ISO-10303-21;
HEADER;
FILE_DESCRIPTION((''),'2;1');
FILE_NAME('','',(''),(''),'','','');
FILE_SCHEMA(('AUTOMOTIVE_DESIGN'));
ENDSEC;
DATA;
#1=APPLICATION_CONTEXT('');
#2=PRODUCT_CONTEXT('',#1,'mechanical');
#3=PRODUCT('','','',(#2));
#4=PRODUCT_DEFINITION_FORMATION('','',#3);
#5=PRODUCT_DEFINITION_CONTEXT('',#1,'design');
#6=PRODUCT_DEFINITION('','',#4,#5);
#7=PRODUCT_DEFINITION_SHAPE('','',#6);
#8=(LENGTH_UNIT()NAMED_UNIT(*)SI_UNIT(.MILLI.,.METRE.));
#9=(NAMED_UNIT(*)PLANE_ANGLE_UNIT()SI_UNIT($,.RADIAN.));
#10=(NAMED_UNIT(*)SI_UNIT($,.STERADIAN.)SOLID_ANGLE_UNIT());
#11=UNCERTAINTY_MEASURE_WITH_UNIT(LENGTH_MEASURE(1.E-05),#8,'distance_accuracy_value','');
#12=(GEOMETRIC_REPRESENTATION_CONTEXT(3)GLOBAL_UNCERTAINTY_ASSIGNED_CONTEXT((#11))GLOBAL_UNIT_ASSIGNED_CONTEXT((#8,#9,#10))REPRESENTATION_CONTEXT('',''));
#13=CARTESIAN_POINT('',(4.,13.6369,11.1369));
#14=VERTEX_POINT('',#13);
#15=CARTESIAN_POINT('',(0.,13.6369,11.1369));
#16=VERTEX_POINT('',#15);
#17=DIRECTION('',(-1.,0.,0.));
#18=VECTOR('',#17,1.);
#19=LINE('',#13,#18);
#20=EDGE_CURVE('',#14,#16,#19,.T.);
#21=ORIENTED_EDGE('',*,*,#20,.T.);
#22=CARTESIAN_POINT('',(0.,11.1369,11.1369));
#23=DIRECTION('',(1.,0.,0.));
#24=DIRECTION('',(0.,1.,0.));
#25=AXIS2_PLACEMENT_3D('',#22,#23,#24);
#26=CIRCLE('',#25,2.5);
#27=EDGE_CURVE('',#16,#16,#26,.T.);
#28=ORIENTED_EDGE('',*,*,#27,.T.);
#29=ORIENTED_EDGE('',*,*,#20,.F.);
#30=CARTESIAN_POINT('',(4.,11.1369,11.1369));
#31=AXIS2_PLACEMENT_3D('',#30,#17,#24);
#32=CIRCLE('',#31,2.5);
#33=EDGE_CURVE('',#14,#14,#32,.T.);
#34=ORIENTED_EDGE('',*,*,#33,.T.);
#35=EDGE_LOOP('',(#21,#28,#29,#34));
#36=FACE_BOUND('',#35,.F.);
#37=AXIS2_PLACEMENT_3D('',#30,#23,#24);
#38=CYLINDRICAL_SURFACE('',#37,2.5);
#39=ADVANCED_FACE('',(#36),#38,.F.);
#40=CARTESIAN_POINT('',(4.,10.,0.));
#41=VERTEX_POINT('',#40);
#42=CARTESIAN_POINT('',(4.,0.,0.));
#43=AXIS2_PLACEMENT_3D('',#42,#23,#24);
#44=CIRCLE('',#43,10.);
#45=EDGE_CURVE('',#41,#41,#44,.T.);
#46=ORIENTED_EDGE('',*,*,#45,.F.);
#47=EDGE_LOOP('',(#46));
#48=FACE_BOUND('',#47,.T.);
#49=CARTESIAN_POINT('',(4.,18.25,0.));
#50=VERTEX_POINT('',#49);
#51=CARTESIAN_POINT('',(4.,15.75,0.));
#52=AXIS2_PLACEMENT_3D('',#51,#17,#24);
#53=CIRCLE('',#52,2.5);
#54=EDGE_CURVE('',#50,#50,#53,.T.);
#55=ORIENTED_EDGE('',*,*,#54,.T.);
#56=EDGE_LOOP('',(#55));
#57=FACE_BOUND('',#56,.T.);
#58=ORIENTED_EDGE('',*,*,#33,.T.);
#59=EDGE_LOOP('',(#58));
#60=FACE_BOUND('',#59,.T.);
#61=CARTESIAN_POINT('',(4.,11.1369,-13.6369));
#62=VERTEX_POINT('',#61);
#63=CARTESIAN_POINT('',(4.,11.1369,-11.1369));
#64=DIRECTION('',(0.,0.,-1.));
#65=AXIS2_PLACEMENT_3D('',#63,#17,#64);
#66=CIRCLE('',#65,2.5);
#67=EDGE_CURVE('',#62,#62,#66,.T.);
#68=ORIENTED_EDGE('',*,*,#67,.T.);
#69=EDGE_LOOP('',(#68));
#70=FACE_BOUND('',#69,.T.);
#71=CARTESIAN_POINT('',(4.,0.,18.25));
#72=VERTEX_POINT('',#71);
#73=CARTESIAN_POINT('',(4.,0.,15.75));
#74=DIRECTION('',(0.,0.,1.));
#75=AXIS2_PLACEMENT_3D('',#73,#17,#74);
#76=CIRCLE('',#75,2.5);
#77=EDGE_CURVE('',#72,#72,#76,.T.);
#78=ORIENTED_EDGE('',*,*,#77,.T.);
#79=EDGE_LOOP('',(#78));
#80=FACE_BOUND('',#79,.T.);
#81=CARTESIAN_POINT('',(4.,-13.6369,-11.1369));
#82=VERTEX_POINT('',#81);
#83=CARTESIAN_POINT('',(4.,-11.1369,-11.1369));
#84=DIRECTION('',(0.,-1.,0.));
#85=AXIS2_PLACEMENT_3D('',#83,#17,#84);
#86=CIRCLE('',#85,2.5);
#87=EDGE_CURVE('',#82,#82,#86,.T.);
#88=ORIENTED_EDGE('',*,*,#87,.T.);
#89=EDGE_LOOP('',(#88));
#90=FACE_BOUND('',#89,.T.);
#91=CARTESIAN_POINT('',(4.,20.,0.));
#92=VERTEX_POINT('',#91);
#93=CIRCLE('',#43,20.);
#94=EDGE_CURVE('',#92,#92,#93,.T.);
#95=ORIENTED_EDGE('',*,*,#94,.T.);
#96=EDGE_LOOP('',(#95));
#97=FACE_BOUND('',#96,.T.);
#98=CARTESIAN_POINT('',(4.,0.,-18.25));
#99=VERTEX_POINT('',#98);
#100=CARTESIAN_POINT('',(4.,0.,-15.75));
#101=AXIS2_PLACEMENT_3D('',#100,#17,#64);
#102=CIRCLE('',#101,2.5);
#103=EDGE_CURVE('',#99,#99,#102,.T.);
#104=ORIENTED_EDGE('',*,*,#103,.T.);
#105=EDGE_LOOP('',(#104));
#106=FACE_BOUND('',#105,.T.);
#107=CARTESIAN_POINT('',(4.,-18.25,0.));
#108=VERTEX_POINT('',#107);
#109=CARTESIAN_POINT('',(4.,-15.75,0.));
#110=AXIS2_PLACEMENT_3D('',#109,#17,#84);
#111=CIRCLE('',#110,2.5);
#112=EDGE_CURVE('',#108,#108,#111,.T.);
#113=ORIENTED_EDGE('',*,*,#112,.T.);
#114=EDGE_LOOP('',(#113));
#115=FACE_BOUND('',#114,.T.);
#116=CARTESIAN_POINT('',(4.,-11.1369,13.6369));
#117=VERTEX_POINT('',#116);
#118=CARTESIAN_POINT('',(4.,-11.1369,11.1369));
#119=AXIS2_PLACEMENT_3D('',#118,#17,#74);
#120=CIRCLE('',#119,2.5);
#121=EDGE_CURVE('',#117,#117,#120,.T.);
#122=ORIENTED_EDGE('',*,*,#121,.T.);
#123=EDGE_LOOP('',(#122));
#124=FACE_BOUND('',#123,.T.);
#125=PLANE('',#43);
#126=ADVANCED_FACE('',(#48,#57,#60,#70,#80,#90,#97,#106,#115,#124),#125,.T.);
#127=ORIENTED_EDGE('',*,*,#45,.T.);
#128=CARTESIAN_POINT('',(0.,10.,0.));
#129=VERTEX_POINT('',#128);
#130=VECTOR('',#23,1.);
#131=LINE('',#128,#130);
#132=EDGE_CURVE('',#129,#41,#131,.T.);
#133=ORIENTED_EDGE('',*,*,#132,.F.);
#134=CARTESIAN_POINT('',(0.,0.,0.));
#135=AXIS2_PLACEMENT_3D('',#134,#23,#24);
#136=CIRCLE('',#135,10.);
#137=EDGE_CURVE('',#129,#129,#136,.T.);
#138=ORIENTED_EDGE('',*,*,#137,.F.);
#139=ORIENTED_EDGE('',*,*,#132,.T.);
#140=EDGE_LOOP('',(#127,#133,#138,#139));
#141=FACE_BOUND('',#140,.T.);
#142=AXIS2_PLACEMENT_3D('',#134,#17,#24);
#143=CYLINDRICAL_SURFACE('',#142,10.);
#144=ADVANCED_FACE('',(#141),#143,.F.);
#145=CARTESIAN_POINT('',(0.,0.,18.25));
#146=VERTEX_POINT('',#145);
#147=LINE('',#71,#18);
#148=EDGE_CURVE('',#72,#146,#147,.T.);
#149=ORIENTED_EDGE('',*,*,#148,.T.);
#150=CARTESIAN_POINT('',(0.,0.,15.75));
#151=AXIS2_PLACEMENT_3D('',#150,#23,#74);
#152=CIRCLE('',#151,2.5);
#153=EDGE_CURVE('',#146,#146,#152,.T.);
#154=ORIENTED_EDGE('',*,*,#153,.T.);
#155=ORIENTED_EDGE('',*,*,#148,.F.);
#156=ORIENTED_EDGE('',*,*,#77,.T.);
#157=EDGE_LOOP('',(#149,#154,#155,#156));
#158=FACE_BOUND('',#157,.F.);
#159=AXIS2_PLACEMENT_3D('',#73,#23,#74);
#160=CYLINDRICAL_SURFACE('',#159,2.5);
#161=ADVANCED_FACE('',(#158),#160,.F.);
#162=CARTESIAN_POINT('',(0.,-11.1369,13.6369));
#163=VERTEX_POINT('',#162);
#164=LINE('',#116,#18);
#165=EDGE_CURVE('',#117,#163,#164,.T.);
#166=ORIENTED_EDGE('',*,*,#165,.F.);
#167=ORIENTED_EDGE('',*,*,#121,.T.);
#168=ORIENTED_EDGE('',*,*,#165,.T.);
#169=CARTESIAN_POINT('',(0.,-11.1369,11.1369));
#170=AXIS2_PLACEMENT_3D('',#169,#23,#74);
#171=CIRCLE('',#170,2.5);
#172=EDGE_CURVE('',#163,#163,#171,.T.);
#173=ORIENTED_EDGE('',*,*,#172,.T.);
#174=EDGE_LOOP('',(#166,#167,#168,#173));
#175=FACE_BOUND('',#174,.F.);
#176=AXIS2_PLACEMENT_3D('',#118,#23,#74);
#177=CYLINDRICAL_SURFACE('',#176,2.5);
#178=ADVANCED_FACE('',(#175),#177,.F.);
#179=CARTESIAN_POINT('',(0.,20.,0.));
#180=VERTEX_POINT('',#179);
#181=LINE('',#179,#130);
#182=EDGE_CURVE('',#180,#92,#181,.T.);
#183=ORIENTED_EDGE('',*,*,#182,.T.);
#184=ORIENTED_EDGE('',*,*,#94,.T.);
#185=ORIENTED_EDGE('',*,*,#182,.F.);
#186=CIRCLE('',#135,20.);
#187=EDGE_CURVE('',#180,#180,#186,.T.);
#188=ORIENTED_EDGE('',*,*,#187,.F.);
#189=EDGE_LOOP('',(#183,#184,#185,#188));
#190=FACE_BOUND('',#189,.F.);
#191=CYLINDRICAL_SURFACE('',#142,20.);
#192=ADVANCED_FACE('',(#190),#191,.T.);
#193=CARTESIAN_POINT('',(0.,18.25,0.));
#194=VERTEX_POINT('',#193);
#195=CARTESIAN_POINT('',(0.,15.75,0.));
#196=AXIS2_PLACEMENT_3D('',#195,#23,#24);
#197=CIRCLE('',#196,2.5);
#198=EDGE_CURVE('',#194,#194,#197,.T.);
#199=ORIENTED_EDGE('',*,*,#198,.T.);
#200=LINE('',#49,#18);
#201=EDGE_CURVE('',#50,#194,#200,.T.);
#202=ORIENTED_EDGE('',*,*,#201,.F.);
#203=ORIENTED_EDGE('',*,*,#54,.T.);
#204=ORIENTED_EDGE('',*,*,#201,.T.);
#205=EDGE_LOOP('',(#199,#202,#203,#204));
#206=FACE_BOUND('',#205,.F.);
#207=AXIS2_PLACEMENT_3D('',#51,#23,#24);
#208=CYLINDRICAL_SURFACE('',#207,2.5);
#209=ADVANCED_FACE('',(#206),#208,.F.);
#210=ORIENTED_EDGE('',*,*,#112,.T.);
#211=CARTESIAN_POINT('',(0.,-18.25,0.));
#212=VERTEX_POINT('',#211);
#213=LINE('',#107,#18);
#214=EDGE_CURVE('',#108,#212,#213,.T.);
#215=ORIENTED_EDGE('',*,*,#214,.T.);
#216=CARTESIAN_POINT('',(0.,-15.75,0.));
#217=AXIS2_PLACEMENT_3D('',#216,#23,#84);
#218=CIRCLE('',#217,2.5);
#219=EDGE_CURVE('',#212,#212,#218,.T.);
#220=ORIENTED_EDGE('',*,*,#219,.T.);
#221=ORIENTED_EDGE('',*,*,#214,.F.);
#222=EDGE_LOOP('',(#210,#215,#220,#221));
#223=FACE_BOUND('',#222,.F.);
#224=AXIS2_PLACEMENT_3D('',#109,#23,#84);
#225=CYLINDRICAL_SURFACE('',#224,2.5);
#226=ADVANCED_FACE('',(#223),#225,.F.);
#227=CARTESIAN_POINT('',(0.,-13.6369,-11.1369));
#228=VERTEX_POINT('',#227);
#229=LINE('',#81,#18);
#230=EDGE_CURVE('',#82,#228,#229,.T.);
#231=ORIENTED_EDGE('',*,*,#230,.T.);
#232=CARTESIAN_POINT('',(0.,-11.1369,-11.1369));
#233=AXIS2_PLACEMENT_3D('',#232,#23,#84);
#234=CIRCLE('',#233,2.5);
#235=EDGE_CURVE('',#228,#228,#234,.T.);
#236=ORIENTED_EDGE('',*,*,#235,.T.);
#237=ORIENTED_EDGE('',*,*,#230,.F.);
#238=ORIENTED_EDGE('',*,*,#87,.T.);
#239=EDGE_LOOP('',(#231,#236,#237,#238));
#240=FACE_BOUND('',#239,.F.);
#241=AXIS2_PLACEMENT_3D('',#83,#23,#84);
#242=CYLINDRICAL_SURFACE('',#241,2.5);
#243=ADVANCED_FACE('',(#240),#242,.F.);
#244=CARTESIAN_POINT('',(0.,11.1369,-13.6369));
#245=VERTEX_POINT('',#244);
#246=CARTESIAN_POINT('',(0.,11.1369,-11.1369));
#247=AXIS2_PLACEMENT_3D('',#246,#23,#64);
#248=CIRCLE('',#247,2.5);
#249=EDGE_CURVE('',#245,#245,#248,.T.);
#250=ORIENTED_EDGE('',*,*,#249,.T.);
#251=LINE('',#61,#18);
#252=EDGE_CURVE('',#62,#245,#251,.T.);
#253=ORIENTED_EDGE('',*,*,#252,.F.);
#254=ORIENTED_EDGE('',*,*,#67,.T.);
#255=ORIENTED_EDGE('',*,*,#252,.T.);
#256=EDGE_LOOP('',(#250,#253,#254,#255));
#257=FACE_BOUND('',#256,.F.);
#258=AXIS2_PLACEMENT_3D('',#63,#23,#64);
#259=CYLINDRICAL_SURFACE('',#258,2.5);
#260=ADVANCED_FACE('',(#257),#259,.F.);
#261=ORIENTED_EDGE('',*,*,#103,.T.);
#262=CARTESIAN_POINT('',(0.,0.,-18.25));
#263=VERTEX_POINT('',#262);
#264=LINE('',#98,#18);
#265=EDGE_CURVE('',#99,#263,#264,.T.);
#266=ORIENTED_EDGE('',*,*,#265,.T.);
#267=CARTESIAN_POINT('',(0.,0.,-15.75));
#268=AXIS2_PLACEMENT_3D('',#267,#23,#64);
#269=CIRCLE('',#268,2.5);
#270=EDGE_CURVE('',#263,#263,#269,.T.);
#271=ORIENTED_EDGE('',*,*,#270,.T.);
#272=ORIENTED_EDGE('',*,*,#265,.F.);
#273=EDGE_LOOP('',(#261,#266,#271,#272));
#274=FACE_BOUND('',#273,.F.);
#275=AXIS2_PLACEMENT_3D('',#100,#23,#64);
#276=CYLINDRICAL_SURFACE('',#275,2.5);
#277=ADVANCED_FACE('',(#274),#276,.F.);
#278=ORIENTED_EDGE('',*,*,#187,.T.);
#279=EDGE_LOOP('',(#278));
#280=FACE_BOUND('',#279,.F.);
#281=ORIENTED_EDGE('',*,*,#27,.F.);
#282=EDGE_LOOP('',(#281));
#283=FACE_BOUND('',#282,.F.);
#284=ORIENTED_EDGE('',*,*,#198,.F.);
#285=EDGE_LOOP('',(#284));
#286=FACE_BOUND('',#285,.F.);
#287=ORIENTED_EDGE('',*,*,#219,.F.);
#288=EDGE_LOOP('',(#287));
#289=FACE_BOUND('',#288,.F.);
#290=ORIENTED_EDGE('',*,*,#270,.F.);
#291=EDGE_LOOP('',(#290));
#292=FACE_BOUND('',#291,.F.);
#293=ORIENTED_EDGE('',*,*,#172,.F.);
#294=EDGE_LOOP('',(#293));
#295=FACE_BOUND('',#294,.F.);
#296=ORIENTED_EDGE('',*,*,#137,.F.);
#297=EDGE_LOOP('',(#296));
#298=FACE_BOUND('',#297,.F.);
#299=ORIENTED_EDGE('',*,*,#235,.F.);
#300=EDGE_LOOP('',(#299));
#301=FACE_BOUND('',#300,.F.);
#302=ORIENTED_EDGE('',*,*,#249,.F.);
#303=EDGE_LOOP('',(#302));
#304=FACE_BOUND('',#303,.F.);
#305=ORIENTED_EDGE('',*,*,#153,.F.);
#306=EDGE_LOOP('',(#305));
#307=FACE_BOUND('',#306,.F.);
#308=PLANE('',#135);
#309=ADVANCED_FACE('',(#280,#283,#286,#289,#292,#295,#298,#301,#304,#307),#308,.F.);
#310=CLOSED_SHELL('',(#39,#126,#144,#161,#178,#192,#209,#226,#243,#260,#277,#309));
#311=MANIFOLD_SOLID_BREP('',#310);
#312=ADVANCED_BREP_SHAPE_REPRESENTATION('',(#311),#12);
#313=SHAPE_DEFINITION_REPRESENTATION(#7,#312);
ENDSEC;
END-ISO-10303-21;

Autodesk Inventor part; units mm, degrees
ref_plane "YZ Plane" through (0, 0, 0) normal (1, 0, 0) x (0, 1, 0)
ref_plane "XZ Plane" through (0, 0, 0) normal (0, 1, 0) x (-1, 0, 0)
ref_plane "XY Plane" through (0, 0, 0) normal (0, 0, 1) x (1, 0, 0)
sketch "Sketch1" plane through (0, 0, 0) normal (1, 0, 0) x (0, 1, 0)
  circle A0 centre (0, 0) radius 10
  circle A1 centre (0, 0) radius 20
  dimension "d0" = 20
  dimension "d3" = 40
extrude "Extrusion1" add sketch "Sketch1" along normal blind 4
sketch "Sketch3" plane through (4, 0, 0) normal (1, 0, 0) x (0, 0, -1)
  line L0 (0, 0) -> (15.75, 0)
  circle A0 centre (15.75, 0) radius 2.5
  dimension "d4" = 15.75
  dimension "d5" = 5
extrude "Extrusion2" cut sketch "Sketch3" against normal blind 4
pattern_circular "Circular Pattern1" count 4 over 360 about axis through (-10, 0, 0) along (1, 0, 0) of "Extrusion2"
sketch "Sketch4" plane through (4, 0, 0) normal (1, 0, 0) x (0, 0, -1)
  line L0 (0, 0) -> (11.1369, 11.1369)
  line L1 (0, 0) -> (15.75, 0) construction
  circle A0 centre (11.1369, 11.1369) radius 2.5
  dimension "d11" = 15.75
  dimension "d12" = 45
  dimension "d13" = 5
extrude "Extrusion3" cut sketch "Sketch4" against normal blind 4
thread "Thread1" size "M5x0.8" class "6H" standard "ANSI Metric M Profile" full length
pattern_circular "Circular Pattern2" count 4 over 360 about axis through (-10, 0, 0) along (1, 0, 0) of "Extrusion3"
properties part number "Robot Flange"
